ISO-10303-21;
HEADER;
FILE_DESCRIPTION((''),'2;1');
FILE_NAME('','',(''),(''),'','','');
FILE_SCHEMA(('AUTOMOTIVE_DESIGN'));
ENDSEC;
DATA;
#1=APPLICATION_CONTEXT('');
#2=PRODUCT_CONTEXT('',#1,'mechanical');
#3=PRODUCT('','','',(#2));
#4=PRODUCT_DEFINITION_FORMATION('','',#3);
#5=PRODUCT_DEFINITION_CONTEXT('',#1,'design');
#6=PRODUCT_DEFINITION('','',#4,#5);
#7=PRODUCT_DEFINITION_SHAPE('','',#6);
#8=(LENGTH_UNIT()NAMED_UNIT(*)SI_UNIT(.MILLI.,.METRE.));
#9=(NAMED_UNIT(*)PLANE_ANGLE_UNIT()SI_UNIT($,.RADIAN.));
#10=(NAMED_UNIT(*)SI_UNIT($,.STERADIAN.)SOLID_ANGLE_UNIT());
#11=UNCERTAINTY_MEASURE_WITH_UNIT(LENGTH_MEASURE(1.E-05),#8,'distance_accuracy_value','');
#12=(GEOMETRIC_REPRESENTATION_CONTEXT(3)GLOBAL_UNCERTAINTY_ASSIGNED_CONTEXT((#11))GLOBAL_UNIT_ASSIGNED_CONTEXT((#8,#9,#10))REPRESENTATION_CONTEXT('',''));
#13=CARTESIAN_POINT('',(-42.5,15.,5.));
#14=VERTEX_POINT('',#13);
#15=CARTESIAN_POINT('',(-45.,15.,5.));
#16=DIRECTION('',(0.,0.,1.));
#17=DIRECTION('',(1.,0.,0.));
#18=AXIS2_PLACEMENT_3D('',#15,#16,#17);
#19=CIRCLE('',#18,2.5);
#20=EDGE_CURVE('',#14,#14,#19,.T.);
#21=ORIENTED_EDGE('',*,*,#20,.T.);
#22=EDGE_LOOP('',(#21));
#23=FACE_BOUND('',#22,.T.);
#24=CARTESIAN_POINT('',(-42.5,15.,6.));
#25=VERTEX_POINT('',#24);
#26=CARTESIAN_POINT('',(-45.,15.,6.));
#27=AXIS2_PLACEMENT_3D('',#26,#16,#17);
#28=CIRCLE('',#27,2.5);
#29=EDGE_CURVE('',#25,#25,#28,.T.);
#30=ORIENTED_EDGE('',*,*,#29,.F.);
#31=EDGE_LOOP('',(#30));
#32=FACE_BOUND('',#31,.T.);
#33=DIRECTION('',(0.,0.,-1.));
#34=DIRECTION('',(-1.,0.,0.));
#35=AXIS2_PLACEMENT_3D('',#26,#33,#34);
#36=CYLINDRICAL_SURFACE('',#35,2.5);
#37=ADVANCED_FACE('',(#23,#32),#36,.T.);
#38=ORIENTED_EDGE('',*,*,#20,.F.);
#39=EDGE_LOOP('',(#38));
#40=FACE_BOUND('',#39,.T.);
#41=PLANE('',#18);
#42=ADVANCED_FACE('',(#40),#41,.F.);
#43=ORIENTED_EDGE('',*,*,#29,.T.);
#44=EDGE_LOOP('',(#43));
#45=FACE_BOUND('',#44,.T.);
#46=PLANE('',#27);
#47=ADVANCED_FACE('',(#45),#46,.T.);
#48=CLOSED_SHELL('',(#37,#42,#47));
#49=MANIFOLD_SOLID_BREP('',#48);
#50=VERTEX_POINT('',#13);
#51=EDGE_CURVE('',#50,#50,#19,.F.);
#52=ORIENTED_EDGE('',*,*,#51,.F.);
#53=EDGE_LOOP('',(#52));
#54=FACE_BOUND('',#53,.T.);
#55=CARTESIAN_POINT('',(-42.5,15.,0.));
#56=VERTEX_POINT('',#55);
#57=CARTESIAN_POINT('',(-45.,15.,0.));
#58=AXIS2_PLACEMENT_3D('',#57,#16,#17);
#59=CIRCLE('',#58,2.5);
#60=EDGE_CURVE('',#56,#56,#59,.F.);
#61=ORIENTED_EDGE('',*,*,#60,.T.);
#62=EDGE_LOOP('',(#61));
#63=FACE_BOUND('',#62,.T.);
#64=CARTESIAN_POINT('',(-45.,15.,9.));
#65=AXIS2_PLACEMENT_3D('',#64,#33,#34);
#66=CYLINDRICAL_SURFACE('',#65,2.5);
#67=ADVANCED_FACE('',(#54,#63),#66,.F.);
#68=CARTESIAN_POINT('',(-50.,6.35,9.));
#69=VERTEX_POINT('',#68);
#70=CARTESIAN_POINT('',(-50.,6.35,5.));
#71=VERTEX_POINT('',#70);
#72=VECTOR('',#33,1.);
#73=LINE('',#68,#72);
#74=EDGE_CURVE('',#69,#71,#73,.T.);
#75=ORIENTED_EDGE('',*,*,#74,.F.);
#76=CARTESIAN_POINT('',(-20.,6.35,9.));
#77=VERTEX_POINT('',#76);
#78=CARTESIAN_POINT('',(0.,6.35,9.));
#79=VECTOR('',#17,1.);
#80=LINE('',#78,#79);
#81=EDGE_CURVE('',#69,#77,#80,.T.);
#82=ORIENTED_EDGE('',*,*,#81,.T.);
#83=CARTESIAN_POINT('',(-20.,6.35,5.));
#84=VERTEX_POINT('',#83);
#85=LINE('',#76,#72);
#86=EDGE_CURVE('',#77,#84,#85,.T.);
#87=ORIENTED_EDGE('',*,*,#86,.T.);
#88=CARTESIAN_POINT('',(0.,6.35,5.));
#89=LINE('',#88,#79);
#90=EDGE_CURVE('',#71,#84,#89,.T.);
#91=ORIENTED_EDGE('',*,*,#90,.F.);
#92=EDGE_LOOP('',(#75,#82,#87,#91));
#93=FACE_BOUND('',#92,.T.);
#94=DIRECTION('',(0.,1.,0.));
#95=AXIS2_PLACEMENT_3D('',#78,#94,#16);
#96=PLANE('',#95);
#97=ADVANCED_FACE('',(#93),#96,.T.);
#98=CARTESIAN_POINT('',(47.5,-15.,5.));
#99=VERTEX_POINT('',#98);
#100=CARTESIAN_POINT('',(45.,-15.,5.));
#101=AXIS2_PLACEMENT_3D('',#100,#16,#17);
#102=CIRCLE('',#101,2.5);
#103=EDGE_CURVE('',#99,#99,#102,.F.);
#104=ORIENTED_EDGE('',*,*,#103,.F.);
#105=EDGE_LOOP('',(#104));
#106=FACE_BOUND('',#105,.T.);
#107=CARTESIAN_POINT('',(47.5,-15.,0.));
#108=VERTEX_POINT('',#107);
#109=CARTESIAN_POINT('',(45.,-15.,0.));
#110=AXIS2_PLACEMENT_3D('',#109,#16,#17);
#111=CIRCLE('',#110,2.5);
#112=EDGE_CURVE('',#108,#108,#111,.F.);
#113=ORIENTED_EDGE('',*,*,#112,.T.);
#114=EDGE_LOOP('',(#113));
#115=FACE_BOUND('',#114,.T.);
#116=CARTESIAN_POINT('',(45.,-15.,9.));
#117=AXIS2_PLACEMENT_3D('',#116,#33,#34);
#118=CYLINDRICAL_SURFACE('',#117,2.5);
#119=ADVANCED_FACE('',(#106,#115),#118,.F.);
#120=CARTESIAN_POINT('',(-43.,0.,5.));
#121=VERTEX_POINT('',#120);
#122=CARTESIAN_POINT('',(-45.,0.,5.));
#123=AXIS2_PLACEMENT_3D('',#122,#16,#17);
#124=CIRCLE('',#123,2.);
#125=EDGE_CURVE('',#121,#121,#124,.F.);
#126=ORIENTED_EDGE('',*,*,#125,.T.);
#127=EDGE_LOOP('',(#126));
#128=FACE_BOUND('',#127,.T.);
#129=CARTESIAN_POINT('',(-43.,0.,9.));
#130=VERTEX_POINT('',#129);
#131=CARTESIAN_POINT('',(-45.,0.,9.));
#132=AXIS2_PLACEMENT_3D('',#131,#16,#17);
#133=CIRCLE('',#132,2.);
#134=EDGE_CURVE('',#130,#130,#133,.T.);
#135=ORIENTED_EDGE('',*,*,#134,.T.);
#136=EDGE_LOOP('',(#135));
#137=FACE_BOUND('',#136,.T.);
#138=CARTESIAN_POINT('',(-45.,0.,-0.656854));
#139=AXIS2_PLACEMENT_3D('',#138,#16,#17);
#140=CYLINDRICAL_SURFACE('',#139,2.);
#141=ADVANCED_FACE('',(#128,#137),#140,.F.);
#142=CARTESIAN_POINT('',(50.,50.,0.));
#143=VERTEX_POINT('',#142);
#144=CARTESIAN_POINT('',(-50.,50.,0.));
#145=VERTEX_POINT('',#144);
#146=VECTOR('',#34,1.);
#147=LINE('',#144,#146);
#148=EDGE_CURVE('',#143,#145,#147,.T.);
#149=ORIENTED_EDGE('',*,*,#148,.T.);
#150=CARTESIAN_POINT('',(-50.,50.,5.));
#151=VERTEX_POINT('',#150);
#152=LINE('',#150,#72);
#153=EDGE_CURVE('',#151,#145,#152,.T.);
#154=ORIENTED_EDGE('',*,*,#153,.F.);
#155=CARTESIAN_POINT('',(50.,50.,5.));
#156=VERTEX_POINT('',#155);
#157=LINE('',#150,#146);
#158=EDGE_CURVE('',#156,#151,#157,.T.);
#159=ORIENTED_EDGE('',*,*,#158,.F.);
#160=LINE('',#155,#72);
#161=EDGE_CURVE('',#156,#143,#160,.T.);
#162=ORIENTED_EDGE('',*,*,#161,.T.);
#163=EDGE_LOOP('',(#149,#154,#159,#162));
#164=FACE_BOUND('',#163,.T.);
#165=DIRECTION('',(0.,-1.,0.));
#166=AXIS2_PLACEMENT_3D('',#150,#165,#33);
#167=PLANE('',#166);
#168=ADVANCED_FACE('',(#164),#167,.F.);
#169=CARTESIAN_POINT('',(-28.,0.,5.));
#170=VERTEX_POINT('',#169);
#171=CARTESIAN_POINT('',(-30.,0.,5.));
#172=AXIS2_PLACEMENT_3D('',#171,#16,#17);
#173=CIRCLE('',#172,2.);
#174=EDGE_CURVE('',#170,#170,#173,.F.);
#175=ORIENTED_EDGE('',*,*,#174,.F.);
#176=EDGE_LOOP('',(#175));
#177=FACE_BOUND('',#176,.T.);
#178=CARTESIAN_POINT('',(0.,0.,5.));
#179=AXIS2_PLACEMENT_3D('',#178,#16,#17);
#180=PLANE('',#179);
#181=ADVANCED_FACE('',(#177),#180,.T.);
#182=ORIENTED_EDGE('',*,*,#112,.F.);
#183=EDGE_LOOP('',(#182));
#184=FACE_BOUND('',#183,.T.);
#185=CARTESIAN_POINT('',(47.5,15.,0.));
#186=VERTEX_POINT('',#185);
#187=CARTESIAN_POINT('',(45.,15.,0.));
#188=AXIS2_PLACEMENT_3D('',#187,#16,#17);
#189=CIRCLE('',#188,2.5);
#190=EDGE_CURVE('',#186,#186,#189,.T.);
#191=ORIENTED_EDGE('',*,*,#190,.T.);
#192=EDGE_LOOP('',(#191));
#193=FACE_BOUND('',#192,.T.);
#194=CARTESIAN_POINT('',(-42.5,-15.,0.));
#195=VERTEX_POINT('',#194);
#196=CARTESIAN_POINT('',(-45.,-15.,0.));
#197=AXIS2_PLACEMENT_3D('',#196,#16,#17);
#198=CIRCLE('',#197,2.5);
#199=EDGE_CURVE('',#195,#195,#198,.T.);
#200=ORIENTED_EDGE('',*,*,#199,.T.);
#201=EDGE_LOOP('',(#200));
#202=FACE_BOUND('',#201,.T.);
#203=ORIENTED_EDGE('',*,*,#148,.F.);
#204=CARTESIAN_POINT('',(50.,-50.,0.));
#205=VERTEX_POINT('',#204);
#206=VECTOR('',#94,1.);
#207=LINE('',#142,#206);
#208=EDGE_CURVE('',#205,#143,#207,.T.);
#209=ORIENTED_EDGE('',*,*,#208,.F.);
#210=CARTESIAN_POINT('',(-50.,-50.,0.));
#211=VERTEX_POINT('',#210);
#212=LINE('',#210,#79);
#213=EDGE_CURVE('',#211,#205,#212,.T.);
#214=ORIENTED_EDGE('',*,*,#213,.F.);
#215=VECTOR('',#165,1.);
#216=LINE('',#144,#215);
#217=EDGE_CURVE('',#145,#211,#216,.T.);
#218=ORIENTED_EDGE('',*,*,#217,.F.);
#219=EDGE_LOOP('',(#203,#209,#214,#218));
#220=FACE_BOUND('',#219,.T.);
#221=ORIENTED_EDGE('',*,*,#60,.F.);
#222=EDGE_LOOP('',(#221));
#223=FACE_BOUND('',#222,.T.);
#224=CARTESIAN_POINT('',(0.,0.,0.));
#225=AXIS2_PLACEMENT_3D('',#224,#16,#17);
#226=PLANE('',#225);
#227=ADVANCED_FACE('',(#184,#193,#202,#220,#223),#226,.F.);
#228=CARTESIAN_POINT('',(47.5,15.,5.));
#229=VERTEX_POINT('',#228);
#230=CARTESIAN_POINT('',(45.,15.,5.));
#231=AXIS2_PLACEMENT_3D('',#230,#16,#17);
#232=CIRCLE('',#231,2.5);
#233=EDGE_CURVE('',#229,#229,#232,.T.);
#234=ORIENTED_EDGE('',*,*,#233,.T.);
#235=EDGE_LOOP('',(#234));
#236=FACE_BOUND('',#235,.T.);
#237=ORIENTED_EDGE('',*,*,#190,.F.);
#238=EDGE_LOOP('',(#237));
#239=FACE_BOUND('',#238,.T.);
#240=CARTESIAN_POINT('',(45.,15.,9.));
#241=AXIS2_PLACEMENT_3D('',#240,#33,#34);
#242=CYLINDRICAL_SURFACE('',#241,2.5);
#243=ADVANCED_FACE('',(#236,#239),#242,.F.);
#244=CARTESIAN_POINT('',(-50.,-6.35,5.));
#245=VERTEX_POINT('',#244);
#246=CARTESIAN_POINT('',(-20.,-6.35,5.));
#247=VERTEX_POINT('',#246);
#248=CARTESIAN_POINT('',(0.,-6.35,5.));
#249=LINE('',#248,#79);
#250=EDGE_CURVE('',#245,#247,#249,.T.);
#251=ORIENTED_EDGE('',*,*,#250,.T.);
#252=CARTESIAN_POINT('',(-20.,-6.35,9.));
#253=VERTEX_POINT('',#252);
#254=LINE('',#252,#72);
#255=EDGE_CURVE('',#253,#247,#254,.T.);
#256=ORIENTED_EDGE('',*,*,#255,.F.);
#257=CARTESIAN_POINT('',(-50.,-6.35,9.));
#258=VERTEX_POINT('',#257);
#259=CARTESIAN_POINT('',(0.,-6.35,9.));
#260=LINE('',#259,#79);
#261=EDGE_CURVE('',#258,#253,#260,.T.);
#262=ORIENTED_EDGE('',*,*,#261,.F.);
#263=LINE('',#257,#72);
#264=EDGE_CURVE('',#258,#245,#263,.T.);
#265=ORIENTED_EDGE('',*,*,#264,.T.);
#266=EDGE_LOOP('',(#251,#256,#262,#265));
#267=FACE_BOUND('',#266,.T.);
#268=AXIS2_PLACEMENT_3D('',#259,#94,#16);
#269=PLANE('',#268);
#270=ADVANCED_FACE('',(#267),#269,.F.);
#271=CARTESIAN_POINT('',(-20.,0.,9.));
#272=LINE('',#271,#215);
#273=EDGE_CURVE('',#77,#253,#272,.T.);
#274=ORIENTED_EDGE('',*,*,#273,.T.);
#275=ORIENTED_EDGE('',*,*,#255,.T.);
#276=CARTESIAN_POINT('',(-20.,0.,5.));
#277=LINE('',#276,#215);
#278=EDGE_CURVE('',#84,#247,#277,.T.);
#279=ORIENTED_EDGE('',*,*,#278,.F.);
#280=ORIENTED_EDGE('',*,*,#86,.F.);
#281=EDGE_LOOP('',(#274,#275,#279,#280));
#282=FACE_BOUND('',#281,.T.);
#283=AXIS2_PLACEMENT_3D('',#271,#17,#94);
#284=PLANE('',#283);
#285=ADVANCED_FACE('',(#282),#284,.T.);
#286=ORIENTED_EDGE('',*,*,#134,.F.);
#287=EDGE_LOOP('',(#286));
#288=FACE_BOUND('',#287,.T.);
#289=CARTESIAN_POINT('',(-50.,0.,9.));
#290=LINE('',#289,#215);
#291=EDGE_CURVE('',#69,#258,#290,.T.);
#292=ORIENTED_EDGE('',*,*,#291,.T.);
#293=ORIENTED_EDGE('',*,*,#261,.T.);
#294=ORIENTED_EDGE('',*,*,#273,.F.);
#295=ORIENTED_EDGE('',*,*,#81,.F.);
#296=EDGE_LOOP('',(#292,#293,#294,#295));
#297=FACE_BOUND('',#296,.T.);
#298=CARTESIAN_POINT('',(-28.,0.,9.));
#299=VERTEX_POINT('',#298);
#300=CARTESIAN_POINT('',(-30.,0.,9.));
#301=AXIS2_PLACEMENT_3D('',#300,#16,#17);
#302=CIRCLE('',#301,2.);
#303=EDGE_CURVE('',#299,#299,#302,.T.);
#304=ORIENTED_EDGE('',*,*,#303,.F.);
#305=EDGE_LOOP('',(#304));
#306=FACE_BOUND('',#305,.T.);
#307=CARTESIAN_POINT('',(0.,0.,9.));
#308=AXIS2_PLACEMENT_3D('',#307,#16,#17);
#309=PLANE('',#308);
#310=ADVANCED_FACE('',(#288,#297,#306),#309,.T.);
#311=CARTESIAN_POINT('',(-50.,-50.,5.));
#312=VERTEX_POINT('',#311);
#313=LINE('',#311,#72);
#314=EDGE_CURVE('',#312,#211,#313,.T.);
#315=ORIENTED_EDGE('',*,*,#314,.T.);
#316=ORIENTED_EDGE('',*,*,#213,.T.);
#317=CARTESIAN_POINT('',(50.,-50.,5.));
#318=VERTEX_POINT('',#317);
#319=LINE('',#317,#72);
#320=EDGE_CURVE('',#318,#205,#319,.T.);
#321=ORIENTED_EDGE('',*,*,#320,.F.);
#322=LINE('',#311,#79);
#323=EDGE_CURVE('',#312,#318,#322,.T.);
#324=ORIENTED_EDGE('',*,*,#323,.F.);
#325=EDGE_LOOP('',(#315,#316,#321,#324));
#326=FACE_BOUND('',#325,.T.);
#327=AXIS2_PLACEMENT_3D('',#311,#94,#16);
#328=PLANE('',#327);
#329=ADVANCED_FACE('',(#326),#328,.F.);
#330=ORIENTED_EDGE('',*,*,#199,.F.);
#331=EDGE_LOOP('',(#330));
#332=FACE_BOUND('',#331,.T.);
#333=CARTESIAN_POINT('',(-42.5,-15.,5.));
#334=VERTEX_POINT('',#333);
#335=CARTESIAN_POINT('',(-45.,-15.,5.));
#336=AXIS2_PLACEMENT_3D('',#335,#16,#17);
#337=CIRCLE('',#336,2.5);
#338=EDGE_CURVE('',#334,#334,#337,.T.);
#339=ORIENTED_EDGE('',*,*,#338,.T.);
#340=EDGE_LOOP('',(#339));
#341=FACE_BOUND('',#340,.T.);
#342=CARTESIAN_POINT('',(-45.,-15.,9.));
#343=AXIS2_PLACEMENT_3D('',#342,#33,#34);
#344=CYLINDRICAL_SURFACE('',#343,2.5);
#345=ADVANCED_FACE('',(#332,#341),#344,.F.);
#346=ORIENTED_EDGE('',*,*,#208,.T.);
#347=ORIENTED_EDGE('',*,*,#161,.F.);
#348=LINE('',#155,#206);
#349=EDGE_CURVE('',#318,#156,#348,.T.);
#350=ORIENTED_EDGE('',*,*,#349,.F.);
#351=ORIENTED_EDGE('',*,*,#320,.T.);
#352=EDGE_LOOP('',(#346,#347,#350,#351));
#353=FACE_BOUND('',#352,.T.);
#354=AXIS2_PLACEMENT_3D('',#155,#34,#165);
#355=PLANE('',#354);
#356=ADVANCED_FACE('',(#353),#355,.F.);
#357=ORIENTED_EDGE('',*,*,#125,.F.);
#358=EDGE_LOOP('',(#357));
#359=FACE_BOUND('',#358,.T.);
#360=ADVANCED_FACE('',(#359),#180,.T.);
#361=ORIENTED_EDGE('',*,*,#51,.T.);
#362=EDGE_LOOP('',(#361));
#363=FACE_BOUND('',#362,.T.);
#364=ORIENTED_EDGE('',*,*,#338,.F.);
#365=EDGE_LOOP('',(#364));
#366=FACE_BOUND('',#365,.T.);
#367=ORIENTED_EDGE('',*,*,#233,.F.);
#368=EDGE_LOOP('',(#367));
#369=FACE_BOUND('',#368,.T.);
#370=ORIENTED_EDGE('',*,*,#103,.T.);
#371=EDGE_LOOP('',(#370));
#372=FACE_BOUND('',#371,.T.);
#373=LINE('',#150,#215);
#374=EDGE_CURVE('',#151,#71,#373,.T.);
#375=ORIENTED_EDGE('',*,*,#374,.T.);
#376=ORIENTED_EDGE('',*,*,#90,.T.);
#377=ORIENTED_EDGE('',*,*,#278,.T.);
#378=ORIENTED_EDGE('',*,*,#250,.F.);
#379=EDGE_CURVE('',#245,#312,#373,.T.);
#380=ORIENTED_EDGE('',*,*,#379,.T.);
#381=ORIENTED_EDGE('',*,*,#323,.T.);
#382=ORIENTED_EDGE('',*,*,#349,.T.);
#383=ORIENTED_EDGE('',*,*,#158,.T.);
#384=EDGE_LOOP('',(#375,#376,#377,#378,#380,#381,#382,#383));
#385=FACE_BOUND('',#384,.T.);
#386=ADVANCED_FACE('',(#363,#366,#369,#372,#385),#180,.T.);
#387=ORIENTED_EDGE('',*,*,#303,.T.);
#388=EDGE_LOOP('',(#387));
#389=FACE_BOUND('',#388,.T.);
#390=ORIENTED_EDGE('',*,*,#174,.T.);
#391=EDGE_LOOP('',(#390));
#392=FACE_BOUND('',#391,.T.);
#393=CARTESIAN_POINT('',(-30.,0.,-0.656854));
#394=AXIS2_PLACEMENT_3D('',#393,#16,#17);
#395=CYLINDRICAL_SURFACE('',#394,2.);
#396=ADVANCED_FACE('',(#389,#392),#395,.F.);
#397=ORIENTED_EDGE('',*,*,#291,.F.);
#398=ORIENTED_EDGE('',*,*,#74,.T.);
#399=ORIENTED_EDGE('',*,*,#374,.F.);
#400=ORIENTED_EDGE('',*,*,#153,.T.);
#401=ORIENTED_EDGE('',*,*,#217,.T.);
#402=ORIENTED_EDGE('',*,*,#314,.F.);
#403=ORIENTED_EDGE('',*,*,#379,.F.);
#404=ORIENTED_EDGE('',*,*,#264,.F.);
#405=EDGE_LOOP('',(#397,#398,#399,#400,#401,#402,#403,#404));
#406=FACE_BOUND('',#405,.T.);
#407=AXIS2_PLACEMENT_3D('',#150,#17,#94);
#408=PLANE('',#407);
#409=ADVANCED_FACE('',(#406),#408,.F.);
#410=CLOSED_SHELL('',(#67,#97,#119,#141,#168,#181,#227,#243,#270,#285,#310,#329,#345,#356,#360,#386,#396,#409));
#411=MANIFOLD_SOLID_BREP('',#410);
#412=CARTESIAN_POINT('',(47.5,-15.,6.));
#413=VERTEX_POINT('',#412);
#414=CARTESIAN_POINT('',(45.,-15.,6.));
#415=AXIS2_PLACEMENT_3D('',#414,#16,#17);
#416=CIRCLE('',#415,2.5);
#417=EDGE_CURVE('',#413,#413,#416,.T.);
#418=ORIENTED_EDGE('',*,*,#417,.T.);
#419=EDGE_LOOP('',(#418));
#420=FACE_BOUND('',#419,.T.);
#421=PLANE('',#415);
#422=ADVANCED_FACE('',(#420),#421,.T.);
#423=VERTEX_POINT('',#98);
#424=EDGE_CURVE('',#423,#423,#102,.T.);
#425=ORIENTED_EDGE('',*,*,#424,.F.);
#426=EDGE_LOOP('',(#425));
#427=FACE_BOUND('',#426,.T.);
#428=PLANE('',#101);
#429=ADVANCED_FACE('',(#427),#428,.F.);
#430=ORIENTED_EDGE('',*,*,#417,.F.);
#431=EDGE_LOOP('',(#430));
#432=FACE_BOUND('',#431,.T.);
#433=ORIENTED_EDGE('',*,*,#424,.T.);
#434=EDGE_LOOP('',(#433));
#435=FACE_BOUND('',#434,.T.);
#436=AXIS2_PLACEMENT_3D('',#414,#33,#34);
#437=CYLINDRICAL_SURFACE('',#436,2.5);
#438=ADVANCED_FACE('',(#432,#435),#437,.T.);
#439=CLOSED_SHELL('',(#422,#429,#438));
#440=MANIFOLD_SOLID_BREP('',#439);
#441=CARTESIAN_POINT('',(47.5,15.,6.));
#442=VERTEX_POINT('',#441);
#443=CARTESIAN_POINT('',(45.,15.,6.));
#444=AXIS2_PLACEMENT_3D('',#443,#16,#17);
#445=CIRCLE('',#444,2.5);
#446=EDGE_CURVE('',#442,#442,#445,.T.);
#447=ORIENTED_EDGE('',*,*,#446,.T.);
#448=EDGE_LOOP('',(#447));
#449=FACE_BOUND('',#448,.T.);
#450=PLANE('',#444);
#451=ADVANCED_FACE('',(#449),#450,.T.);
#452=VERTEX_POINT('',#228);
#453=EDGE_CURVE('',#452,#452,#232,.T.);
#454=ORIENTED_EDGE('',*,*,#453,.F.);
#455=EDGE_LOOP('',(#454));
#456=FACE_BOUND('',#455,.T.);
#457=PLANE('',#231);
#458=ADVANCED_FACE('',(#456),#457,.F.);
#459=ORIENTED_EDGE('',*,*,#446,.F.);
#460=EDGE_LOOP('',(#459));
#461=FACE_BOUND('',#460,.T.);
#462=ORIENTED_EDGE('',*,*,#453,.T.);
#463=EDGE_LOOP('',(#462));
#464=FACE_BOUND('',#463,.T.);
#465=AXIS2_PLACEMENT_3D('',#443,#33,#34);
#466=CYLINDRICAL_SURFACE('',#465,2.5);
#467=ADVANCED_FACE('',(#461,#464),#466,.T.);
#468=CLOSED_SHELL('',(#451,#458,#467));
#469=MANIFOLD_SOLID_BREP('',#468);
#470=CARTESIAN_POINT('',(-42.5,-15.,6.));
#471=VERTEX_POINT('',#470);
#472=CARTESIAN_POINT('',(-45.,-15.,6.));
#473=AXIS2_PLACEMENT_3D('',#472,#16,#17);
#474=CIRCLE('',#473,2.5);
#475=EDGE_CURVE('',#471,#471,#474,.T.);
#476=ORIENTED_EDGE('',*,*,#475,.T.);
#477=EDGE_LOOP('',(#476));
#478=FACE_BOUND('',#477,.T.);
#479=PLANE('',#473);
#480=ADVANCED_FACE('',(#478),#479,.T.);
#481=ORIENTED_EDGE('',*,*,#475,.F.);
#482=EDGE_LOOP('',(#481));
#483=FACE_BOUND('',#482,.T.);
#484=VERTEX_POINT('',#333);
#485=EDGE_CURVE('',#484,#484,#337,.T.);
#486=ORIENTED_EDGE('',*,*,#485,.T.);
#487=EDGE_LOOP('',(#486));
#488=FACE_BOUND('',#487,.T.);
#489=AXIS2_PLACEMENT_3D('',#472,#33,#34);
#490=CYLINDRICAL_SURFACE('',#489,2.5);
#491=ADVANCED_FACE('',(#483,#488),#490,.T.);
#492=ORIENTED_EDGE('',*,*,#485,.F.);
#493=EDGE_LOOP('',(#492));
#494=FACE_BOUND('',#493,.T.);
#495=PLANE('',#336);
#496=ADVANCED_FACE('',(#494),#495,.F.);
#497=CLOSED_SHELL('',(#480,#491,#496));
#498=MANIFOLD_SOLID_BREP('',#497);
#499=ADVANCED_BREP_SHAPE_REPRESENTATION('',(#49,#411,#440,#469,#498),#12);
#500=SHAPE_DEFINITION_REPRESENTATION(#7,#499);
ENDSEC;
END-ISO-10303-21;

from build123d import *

# Parameters (mm, degrees)
IZIM1_W                       = 100
IZIM1_H                       = 100
Y_KSEKLIK_EKSTR_ZYON1_DEPTH   = 5
IZIM2_W                       = 30
IZIM2_H                       = 12.7
Y_KSEKLIK_EKSTR_ZYON2_DEPTH   = 4
KES_EKSTR_ZYON2_DEPTH         = 71.887234394
KES_EKSTR_ZYON2_DEPTH_BACK    = 35
IZIM3_R                       = 2.5
IZIM4_R                       = 2.5
Y_KSEKLIK_EKSTR_ZYON3_DEPTH   = 1
Y_KSEKLIK_EKSTR_ZYON3_2_DEPTH = 1
Y_KSEKLIK_EKSTR_ZYON3_3_DEPTH = 1
Y_KSEKLIK_EKSTR_ZYON3_4_DEPTH = 1
IZIM5_R                       = 2
KES_EKSTR_ZYON3_DEPTH         = 4


with BuildPart() as part:
    # Çizim1 → Yükseklik-Ekstrüzyon1 (new body)
    with BuildSketch(Plane.XY):
        Rectangle(IZIM1_W, IZIM1_H)
    extrude(amount=Y_KSEKLIK_EKSTR_ZYON1_DEPTH)

    # Çizim2 → Yükseklik-Ekstrüzyon2 (add)
    with BuildSketch(Plane.XY.offset(5)):
        with Locations((-35, 0)):
            Rectangle(IZIM2_W, IZIM2_H)
    extrude(amount=Y_KSEKLIK_EKSTR_ZYON2_DEPTH)

    # Çizim3 → Kes-Ekstrüzyon2 (cut, two sides: drawn at the far end of the back side and taken through both)
    with BuildSketch(Plane.XY.offset(5).offset(-KES_EKSTR_ZYON2_DEPTH_BACK)):
        with Locations((-45, 15)):
            Circle(IZIM3_R)
        with Locations((-45, -15)):
            Circle(IZIM3_R)
        with Locations((45, 15)):
            Circle(IZIM3_R)
        with Locations((45, -15)):
            Circle(IZIM3_R)
    extrude(amount=KES_EKSTR_ZYON2_DEPTH + KES_EKSTR_ZYON2_DEPTH_BACK, mode=Mode.SUBTRACT)

    # Çizim5 → Kes-Ekstrüzyon3 (cut)
    with BuildSketch(Plane.XY.offset(9)):
        with Locations((-45, 0)):
            Circle(IZIM5_R)
        with Locations((-30, 0)):
            Circle(IZIM5_R)
    extrude(amount=-KES_EKSTR_ZYON3_DEPTH, mode=Mode.SUBTRACT)


with BuildPart() as body_2:
    # Çizim4 → Yükseklik-Ekstrüzyon3 (new body)
    with BuildSketch(Plane.XY.offset(5)):
        with Locations((-45, 15)):
            Circle(IZIM4_R)
    extrude(amount=Y_KSEKLIK_EKSTR_ZYON3_DEPTH)


with BuildPart() as body_3:
    # Çizim4 → Y_kseklik-Ekstr_zyon3 2 (new body)
    with BuildSketch(Plane.XY.offset(5)):
        with Locations((45, 15)):
            Circle(IZIM4_R)
    extrude(amount=Y_KSEKLIK_EKSTR_ZYON3_2_DEPTH)


with BuildPart() as body_4:
    # Çizim4 → Y_kseklik-Ekstr_zyon3 3 (new body)
    with BuildSketch(Plane.XY.offset(5)):
        with Locations((-45, -15)):
            Circle(IZIM4_R)
    extrude(amount=Y_KSEKLIK_EKSTR_ZYON3_3_DEPTH)


with BuildPart() as body_5:
    # Çizim4 → Y_kseklik-Ekstr_zyon3 4 (new body)
    with BuildSketch(Plane.XY.offset(5)):
        with Locations((45, -15)):
            Circle(IZIM4_R)
    extrude(amount=Y_KSEKLIK_EKSTR_ZYON3_4_DEPTH)


solid = Compound([part.part, body_2.part, body_3.part, body_4.part, body_5.part])
